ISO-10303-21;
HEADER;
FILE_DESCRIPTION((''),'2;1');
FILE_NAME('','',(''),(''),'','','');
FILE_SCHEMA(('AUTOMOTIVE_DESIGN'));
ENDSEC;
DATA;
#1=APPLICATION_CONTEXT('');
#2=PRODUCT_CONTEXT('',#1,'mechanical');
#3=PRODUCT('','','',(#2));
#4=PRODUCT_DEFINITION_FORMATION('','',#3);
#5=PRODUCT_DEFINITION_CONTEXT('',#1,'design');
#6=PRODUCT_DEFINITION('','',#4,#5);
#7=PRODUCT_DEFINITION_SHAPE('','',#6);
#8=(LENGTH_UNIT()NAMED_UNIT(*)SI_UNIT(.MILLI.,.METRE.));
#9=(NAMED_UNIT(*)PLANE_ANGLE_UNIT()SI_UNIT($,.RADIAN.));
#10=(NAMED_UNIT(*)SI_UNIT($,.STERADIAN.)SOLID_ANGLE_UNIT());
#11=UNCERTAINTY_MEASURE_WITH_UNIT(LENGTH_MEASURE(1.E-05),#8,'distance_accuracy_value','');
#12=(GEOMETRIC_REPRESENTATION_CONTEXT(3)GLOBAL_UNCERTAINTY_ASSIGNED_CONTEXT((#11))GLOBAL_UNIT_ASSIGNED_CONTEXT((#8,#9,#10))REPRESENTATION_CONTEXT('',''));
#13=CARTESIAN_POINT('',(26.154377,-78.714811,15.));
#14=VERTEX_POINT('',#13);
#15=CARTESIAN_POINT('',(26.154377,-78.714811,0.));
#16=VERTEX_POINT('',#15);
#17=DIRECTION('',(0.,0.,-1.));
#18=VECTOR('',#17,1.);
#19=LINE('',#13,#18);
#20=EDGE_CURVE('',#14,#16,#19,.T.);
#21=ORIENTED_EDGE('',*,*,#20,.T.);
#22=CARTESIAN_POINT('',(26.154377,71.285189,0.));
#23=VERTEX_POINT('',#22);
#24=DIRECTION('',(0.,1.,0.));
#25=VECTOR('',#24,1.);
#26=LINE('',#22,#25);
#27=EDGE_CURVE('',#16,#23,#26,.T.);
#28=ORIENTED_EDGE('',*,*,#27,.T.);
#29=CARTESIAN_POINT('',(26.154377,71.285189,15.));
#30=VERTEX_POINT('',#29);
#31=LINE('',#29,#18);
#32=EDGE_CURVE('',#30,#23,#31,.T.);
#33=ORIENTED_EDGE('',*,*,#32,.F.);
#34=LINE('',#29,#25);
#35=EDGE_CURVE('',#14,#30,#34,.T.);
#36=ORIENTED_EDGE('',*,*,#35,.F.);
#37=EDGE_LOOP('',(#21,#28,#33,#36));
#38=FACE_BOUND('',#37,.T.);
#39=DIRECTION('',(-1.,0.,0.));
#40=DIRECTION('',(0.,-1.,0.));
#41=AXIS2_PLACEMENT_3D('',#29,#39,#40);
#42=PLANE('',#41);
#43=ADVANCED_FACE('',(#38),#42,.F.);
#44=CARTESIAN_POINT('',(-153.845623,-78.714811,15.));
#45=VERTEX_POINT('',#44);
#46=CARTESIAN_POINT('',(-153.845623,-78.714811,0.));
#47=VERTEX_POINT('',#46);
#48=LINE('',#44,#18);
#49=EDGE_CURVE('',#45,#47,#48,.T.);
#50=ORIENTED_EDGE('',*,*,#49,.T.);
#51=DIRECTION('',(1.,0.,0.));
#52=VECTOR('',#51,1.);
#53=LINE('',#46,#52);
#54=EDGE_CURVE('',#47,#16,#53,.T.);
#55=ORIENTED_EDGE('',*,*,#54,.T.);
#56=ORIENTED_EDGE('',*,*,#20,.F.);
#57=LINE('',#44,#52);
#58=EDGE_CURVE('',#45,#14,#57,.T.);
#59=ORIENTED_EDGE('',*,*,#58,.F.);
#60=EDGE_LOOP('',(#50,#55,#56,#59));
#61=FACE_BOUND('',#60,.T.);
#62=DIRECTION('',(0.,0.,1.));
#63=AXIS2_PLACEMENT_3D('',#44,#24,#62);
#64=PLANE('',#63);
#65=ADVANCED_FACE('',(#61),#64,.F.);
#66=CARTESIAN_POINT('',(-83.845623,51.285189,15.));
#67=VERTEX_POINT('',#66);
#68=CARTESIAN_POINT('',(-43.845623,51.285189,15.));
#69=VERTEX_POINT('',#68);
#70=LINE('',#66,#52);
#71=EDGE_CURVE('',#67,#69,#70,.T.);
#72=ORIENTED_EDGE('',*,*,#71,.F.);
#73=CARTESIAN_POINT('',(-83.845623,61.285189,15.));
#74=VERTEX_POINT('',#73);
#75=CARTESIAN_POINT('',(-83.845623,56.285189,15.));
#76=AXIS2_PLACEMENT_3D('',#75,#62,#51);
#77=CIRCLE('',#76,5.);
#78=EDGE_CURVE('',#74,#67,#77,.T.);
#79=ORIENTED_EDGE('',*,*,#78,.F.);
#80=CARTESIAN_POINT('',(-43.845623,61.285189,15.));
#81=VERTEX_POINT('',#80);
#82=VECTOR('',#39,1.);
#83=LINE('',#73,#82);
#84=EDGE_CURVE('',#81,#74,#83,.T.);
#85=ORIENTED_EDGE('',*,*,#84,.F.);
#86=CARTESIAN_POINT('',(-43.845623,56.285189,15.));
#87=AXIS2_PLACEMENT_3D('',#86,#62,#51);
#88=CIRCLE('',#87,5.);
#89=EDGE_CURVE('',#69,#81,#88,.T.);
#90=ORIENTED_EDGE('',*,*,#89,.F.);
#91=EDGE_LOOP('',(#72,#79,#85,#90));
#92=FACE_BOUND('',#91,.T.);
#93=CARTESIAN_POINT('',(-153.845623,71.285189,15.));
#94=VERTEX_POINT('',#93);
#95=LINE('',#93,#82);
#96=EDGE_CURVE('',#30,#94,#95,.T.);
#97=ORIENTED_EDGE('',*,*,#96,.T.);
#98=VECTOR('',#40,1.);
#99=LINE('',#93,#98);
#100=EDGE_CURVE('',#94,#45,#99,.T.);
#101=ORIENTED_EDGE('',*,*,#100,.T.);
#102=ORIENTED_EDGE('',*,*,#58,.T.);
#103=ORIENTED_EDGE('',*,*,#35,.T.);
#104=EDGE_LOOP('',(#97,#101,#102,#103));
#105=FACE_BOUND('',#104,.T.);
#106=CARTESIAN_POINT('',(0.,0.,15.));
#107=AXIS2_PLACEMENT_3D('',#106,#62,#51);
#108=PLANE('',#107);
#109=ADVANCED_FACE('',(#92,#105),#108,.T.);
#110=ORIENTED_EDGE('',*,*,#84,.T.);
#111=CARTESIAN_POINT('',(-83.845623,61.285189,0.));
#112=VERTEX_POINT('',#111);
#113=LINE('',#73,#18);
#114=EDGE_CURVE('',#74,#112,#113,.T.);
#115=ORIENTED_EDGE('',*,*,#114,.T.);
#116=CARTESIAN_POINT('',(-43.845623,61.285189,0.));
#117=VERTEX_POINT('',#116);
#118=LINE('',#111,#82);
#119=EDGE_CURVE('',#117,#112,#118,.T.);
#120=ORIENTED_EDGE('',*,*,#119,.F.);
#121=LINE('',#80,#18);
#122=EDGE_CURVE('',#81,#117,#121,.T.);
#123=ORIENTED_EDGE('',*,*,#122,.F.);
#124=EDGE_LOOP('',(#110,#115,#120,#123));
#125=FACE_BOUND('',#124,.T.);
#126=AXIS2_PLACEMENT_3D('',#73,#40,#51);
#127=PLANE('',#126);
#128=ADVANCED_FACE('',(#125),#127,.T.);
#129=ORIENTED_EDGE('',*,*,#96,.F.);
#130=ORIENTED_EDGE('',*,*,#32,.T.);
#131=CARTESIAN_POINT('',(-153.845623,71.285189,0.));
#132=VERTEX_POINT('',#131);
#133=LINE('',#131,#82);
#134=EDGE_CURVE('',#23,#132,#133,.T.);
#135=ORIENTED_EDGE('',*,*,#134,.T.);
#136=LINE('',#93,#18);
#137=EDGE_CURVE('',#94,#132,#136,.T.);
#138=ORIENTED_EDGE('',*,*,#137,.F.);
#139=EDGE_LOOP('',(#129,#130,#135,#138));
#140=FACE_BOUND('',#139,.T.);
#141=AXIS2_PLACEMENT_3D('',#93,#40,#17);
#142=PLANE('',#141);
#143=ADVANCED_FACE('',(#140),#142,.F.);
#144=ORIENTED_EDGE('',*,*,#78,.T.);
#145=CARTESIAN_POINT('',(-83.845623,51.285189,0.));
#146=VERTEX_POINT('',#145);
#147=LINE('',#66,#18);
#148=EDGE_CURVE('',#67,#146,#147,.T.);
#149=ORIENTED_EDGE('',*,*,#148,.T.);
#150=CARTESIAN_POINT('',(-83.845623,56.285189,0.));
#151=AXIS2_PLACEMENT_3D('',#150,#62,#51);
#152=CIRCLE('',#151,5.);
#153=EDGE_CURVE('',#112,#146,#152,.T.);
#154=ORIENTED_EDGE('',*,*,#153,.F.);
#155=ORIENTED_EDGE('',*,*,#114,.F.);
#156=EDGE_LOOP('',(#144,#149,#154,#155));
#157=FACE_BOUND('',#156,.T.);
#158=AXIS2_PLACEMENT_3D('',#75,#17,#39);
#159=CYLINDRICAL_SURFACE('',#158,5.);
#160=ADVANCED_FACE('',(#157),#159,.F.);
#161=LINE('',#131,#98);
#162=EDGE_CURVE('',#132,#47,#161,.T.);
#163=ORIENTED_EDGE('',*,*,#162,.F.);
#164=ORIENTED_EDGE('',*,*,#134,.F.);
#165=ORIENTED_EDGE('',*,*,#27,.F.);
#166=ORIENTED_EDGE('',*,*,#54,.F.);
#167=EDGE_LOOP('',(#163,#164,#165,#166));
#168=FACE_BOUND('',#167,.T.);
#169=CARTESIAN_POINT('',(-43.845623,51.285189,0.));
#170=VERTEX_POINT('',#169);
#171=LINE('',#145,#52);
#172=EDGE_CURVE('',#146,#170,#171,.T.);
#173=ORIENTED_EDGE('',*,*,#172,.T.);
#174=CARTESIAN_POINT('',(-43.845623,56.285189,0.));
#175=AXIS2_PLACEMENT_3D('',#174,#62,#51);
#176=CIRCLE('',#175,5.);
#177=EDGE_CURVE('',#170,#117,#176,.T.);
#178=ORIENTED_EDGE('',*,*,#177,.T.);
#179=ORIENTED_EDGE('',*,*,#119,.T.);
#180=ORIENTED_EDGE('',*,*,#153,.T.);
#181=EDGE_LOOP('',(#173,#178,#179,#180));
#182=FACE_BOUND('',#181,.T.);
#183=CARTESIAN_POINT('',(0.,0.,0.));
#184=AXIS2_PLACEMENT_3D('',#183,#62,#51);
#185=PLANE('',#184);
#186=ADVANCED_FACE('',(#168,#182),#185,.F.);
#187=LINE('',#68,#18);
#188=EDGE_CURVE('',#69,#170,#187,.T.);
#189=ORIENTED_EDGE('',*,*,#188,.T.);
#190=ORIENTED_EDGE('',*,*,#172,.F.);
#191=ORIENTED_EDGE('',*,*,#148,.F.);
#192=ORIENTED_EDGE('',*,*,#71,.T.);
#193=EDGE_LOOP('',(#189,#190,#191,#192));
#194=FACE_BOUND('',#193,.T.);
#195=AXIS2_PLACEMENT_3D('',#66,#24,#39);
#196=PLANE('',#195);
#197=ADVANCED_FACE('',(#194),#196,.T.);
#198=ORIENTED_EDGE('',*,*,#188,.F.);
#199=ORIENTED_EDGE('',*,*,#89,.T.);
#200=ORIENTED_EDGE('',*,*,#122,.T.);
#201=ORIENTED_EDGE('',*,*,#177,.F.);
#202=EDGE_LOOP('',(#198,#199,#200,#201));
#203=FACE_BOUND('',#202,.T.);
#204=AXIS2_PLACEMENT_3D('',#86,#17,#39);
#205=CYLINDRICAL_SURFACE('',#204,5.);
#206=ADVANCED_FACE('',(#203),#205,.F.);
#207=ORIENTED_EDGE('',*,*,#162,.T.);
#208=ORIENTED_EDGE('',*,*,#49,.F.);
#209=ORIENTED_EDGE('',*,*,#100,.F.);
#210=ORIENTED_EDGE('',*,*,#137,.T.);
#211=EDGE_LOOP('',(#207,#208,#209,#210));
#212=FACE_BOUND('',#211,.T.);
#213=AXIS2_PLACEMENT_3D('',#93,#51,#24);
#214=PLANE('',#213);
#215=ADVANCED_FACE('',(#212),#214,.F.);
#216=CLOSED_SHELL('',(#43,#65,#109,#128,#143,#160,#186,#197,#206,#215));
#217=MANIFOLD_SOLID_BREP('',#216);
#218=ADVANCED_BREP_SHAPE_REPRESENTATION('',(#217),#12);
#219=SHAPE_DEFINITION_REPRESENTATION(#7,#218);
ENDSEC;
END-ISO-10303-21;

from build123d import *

# Parameters (mm, degrees)
CROQUIS1_W              = 180
CROQUIS1_H              = 150
SALIENTE_EXTRUIR1_DEPTH = 15


with BuildPart() as part:
    # Croquis1 → Saliente-Extruir1 (new body)
    with BuildSketch(Plane.XY):
        with Locations((-63.845623041, -3.714811168)):
            Rectangle(CROQUIS1_W, CROQUIS1_H)
        with BuildLine():
            Line((-83.845623041, 61.285188832), (-43.845623041, 61.285188832))
            ThreePointArc((-43.845623041, 61.285188832), (-38.845623041, 56.285188832), (-43.845623041, 51.285188832))
            Line((-43.845623041, 51.285188832), (-83.845623041, 51.285188832))
            ThreePointArc((-83.845623041, 51.285188832), (-88.845623041, 56.285188832), (-83.845623041, 61.285188832))
        make_face(mode=Mode.SUBTRACT)
    extrude(amount=SALIENTE_EXTRUIR1_DEPTH)


solid = part.part
